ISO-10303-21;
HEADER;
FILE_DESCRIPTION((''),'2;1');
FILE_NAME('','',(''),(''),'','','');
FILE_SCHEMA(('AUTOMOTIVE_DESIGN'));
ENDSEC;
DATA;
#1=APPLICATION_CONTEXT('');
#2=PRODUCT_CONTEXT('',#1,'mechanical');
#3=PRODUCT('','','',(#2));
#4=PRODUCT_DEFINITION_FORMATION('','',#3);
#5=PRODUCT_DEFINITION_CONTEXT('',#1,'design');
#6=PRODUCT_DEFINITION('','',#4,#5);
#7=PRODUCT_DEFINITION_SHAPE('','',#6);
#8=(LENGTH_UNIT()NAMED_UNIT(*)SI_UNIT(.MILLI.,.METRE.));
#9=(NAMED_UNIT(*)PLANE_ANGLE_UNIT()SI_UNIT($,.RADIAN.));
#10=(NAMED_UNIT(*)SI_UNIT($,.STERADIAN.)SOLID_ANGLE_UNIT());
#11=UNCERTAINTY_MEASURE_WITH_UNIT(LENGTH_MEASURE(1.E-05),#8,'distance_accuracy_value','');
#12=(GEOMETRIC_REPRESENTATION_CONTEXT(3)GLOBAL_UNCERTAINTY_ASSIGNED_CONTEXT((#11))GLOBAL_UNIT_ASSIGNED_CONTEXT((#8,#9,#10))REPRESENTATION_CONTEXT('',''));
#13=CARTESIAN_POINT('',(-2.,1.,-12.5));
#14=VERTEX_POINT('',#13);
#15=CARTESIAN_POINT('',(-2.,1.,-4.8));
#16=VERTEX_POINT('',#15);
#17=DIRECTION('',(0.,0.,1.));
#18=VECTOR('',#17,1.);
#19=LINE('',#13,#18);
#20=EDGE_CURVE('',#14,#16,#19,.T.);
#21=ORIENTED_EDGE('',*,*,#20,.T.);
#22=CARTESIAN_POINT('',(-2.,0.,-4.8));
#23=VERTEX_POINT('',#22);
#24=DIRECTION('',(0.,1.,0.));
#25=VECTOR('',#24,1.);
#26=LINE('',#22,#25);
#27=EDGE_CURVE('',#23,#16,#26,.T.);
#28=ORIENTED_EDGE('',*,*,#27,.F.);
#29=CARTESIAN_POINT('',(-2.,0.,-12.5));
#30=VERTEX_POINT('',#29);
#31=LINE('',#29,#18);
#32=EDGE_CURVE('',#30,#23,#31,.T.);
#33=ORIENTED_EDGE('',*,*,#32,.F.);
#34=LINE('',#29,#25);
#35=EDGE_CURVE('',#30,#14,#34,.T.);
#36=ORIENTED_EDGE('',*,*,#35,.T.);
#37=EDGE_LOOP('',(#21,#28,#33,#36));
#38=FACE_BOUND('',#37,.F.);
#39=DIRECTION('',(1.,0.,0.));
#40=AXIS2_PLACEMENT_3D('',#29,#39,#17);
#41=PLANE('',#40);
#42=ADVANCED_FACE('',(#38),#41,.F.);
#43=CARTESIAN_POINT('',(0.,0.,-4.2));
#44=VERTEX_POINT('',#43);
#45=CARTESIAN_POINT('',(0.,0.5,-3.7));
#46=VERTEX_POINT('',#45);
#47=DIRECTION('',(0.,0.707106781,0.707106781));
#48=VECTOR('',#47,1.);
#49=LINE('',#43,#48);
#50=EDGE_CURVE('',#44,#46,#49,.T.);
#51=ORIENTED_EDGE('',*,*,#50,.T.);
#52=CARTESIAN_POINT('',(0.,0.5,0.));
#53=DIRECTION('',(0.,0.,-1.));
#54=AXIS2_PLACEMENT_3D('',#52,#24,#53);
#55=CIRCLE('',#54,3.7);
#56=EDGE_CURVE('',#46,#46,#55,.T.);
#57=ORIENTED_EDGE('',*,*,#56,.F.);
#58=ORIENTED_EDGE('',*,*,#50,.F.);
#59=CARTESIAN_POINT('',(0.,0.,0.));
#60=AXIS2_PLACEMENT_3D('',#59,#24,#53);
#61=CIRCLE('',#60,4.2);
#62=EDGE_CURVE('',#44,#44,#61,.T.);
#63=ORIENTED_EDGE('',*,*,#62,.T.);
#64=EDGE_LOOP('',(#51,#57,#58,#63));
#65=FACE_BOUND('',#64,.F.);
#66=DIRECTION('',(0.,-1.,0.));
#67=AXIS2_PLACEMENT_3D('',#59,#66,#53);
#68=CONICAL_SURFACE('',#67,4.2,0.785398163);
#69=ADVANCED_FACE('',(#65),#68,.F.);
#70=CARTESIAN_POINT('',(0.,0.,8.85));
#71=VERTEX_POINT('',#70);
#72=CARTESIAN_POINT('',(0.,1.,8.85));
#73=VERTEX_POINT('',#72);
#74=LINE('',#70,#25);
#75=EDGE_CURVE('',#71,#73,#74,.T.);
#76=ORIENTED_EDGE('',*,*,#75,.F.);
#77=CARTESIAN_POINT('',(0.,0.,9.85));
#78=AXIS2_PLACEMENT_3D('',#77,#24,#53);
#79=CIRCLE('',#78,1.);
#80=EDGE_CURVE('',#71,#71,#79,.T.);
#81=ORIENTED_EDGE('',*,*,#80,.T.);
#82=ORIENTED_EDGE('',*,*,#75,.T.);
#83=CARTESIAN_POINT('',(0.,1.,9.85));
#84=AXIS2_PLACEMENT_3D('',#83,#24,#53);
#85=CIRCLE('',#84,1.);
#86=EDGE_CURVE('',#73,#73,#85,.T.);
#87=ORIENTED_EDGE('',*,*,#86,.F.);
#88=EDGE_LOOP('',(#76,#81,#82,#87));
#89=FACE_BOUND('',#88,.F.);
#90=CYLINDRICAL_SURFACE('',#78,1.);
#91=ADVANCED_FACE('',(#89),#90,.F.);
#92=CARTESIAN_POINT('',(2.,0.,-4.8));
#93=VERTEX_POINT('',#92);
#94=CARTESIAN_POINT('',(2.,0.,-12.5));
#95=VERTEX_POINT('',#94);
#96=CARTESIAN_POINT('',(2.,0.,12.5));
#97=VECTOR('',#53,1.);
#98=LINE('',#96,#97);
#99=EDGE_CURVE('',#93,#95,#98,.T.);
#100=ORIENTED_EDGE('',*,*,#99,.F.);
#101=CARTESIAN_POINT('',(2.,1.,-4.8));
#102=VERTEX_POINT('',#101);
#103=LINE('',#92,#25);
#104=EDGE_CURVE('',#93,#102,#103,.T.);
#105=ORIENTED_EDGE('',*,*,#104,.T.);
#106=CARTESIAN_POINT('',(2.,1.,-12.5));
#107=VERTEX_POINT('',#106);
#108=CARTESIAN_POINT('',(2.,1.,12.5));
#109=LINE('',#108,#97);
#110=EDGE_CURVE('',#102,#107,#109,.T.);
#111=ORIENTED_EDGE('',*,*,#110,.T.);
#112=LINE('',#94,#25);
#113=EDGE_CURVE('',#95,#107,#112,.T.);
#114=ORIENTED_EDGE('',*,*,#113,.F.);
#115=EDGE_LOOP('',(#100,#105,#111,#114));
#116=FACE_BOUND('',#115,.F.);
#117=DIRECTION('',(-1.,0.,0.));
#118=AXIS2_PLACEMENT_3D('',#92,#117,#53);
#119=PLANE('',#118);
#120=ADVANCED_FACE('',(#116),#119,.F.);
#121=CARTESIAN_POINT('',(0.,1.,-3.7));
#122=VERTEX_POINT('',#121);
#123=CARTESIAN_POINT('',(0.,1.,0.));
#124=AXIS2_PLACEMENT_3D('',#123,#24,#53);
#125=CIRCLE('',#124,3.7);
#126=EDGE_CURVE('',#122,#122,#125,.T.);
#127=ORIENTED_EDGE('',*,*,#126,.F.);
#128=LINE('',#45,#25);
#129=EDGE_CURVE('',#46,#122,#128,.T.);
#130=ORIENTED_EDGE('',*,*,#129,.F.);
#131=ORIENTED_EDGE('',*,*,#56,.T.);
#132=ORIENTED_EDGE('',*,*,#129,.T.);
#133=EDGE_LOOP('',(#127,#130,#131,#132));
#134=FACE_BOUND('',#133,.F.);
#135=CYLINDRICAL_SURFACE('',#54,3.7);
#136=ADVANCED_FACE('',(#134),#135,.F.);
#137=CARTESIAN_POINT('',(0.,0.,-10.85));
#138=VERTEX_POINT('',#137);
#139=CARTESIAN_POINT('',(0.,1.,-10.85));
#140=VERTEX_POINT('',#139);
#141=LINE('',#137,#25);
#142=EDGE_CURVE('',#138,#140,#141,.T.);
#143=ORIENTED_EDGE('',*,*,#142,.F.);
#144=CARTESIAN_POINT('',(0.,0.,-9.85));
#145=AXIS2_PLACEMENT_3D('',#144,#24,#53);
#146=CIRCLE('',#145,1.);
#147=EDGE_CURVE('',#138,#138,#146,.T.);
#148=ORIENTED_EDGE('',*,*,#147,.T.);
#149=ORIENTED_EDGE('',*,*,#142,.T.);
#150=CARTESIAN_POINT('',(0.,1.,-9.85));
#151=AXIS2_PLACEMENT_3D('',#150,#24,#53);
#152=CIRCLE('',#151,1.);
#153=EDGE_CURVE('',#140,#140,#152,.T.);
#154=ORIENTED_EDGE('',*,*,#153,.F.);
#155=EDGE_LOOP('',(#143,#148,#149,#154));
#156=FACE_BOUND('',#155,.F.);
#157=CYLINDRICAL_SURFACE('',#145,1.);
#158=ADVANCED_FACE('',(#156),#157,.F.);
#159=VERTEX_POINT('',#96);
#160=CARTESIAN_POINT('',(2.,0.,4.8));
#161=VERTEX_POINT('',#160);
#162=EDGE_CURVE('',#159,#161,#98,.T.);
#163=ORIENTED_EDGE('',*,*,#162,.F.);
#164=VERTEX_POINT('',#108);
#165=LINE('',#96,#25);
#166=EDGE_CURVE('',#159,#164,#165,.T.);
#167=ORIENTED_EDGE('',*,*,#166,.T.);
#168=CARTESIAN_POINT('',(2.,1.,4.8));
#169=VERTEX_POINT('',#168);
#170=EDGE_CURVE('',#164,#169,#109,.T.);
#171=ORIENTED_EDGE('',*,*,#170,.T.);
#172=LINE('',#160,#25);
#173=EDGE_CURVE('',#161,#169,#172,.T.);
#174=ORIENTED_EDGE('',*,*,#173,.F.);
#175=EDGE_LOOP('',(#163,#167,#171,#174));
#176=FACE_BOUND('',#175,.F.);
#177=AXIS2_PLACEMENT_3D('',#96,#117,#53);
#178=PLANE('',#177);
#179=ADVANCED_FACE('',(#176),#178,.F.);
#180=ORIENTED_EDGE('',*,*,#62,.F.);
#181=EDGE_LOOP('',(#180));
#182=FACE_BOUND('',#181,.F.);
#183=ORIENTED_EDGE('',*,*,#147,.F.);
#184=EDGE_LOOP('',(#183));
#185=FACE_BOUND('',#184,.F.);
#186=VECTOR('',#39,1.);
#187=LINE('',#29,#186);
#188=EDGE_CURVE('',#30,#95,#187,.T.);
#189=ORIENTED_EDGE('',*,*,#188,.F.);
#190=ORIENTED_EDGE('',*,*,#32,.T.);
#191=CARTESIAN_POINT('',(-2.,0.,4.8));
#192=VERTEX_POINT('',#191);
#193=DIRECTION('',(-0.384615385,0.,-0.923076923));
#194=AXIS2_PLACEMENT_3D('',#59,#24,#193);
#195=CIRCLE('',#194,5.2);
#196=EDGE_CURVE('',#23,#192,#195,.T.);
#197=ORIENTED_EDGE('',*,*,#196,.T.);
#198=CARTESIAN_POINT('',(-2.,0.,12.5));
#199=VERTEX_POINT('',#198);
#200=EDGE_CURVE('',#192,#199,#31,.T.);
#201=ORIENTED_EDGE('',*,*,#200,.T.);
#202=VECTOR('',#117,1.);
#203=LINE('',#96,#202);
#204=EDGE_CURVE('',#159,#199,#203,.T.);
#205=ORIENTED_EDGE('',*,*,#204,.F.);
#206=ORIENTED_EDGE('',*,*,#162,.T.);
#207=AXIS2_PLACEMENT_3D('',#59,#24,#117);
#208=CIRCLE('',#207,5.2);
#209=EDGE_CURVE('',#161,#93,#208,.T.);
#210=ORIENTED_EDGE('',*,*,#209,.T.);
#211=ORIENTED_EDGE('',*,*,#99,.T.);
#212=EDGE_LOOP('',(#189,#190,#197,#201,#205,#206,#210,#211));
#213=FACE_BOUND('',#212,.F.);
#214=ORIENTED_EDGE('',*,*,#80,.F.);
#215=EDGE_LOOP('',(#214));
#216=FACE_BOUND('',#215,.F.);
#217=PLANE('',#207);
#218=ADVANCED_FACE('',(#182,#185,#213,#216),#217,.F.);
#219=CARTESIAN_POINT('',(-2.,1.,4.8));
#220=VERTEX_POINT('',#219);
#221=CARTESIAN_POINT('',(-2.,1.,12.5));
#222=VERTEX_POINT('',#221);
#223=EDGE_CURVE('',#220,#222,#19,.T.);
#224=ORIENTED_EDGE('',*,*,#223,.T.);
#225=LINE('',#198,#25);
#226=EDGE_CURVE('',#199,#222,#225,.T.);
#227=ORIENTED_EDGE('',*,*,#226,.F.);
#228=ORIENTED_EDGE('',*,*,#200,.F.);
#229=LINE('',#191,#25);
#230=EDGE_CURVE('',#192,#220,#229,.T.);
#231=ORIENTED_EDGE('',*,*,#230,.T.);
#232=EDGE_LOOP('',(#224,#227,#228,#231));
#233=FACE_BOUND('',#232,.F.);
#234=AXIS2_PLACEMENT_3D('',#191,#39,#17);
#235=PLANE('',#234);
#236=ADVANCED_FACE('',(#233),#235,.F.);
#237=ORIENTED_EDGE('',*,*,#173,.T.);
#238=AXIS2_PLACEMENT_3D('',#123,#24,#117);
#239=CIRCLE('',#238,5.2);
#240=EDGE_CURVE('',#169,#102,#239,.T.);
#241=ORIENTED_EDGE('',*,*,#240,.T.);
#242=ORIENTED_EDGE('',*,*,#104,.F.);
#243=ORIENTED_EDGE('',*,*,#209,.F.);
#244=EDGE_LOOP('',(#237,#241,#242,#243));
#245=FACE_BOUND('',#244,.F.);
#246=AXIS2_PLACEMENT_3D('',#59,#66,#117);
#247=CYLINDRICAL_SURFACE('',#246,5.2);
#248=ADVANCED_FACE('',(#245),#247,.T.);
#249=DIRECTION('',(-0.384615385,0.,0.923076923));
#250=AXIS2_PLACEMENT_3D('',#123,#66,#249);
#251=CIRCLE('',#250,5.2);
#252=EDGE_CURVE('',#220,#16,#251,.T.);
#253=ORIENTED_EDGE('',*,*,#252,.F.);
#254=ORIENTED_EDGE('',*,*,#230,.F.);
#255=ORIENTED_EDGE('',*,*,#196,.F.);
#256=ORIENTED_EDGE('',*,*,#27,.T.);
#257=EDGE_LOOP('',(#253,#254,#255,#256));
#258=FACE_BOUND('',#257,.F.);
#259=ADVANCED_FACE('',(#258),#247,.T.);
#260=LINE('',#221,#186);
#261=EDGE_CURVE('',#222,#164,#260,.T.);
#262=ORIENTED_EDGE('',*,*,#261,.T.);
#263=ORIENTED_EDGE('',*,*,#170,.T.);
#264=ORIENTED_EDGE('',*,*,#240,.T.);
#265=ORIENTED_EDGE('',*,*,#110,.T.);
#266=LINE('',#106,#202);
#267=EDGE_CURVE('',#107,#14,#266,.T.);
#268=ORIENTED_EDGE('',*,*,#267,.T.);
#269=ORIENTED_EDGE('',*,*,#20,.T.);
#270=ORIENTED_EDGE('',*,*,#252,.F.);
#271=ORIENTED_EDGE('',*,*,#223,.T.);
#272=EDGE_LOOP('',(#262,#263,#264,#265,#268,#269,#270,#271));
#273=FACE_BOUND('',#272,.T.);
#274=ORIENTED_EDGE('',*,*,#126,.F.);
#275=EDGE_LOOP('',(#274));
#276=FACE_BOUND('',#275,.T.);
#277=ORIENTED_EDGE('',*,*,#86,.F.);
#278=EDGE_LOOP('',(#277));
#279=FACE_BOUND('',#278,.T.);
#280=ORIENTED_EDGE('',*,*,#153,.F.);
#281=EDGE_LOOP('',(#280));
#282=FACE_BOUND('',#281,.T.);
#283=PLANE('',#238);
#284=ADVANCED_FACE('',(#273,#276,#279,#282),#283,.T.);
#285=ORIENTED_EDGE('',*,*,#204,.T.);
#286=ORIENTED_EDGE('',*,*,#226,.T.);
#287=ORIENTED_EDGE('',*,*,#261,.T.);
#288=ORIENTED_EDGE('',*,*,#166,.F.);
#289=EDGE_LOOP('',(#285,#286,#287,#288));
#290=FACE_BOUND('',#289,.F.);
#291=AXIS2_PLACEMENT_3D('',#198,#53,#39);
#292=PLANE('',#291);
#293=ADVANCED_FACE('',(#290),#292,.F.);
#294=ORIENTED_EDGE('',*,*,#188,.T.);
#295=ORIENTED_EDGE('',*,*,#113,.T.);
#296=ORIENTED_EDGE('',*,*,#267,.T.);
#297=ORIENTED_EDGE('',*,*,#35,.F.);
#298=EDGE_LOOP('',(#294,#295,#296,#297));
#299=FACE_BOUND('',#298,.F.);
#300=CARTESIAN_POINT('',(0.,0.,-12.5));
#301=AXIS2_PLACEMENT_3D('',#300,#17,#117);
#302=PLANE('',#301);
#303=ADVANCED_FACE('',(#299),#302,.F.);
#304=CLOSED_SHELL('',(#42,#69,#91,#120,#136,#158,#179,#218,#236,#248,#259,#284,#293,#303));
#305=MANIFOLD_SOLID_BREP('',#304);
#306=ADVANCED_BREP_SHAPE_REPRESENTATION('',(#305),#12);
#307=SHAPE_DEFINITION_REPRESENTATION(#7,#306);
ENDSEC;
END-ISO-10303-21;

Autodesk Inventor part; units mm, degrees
ref_plane "YZ Plane" through (0, 0, 0) normal (1, 0, 0) x (0, 1, 0)
ref_plane "XZ Plane" through (0, 0, 0) normal (0, 1, 0) x (-1, 0, 0)
ref_plane "XY Plane" through (0, 0, 0) normal (0, 0, 1) x (1, 0, 0)
sketch "Sketch1" plane through (0, 0, 0) normal (0, 1, 0) x (-1, 0, 0)
  circle A0 centre (0, 0) radius 5.2
  line L0 (2, 12.5) -> (-2, 12.5)
  line L1 (-2, 12.5) -> (-2, -12.5)
  line L2 (-2, -12.5) -> (2, -12.5)
  line L3 (2, -12.5) -> (2, 12.5)
  line L4 (2, 12.5) -> (-2, -12.5) construction
  line L5 (-2, 12.5) -> (2, -12.5) construction
  line L6 (0, 12.5) -> (0, 9.85)
  line L7 (0, -12.5) -> (0, -9.85)
  point P0 (-2, 4.8)
  point P1 (-2, -4.8)
  point P2 (2, -4.8)
  point P3 (2, 4.8)
  dimension "d0" = 10.4
  dimension "d1" = 4
  dimension "d2" = 25
  dimension "d19" = 2.65
  dimension "d20" = 2.65
extrude "Extrusion1" add sketch "Sketch1" along normal blind 1
hole "Hole2" at (0, 0, 0) direction (0, 1, 0) diameter 7.4 depth 1 tip angle 118 countersink diameter 8.4 countersink angle 90
hole "Hole3" at (0, 0, 9.85) direction (0, 1, 0) diameter 2 depth 1 tip angle 118
hole "Hole4" at (0, 0, -9.85) direction (0, 1, 0) diameter 2 depth 1 tip angle 118
properties part number "Headplate_2p"
